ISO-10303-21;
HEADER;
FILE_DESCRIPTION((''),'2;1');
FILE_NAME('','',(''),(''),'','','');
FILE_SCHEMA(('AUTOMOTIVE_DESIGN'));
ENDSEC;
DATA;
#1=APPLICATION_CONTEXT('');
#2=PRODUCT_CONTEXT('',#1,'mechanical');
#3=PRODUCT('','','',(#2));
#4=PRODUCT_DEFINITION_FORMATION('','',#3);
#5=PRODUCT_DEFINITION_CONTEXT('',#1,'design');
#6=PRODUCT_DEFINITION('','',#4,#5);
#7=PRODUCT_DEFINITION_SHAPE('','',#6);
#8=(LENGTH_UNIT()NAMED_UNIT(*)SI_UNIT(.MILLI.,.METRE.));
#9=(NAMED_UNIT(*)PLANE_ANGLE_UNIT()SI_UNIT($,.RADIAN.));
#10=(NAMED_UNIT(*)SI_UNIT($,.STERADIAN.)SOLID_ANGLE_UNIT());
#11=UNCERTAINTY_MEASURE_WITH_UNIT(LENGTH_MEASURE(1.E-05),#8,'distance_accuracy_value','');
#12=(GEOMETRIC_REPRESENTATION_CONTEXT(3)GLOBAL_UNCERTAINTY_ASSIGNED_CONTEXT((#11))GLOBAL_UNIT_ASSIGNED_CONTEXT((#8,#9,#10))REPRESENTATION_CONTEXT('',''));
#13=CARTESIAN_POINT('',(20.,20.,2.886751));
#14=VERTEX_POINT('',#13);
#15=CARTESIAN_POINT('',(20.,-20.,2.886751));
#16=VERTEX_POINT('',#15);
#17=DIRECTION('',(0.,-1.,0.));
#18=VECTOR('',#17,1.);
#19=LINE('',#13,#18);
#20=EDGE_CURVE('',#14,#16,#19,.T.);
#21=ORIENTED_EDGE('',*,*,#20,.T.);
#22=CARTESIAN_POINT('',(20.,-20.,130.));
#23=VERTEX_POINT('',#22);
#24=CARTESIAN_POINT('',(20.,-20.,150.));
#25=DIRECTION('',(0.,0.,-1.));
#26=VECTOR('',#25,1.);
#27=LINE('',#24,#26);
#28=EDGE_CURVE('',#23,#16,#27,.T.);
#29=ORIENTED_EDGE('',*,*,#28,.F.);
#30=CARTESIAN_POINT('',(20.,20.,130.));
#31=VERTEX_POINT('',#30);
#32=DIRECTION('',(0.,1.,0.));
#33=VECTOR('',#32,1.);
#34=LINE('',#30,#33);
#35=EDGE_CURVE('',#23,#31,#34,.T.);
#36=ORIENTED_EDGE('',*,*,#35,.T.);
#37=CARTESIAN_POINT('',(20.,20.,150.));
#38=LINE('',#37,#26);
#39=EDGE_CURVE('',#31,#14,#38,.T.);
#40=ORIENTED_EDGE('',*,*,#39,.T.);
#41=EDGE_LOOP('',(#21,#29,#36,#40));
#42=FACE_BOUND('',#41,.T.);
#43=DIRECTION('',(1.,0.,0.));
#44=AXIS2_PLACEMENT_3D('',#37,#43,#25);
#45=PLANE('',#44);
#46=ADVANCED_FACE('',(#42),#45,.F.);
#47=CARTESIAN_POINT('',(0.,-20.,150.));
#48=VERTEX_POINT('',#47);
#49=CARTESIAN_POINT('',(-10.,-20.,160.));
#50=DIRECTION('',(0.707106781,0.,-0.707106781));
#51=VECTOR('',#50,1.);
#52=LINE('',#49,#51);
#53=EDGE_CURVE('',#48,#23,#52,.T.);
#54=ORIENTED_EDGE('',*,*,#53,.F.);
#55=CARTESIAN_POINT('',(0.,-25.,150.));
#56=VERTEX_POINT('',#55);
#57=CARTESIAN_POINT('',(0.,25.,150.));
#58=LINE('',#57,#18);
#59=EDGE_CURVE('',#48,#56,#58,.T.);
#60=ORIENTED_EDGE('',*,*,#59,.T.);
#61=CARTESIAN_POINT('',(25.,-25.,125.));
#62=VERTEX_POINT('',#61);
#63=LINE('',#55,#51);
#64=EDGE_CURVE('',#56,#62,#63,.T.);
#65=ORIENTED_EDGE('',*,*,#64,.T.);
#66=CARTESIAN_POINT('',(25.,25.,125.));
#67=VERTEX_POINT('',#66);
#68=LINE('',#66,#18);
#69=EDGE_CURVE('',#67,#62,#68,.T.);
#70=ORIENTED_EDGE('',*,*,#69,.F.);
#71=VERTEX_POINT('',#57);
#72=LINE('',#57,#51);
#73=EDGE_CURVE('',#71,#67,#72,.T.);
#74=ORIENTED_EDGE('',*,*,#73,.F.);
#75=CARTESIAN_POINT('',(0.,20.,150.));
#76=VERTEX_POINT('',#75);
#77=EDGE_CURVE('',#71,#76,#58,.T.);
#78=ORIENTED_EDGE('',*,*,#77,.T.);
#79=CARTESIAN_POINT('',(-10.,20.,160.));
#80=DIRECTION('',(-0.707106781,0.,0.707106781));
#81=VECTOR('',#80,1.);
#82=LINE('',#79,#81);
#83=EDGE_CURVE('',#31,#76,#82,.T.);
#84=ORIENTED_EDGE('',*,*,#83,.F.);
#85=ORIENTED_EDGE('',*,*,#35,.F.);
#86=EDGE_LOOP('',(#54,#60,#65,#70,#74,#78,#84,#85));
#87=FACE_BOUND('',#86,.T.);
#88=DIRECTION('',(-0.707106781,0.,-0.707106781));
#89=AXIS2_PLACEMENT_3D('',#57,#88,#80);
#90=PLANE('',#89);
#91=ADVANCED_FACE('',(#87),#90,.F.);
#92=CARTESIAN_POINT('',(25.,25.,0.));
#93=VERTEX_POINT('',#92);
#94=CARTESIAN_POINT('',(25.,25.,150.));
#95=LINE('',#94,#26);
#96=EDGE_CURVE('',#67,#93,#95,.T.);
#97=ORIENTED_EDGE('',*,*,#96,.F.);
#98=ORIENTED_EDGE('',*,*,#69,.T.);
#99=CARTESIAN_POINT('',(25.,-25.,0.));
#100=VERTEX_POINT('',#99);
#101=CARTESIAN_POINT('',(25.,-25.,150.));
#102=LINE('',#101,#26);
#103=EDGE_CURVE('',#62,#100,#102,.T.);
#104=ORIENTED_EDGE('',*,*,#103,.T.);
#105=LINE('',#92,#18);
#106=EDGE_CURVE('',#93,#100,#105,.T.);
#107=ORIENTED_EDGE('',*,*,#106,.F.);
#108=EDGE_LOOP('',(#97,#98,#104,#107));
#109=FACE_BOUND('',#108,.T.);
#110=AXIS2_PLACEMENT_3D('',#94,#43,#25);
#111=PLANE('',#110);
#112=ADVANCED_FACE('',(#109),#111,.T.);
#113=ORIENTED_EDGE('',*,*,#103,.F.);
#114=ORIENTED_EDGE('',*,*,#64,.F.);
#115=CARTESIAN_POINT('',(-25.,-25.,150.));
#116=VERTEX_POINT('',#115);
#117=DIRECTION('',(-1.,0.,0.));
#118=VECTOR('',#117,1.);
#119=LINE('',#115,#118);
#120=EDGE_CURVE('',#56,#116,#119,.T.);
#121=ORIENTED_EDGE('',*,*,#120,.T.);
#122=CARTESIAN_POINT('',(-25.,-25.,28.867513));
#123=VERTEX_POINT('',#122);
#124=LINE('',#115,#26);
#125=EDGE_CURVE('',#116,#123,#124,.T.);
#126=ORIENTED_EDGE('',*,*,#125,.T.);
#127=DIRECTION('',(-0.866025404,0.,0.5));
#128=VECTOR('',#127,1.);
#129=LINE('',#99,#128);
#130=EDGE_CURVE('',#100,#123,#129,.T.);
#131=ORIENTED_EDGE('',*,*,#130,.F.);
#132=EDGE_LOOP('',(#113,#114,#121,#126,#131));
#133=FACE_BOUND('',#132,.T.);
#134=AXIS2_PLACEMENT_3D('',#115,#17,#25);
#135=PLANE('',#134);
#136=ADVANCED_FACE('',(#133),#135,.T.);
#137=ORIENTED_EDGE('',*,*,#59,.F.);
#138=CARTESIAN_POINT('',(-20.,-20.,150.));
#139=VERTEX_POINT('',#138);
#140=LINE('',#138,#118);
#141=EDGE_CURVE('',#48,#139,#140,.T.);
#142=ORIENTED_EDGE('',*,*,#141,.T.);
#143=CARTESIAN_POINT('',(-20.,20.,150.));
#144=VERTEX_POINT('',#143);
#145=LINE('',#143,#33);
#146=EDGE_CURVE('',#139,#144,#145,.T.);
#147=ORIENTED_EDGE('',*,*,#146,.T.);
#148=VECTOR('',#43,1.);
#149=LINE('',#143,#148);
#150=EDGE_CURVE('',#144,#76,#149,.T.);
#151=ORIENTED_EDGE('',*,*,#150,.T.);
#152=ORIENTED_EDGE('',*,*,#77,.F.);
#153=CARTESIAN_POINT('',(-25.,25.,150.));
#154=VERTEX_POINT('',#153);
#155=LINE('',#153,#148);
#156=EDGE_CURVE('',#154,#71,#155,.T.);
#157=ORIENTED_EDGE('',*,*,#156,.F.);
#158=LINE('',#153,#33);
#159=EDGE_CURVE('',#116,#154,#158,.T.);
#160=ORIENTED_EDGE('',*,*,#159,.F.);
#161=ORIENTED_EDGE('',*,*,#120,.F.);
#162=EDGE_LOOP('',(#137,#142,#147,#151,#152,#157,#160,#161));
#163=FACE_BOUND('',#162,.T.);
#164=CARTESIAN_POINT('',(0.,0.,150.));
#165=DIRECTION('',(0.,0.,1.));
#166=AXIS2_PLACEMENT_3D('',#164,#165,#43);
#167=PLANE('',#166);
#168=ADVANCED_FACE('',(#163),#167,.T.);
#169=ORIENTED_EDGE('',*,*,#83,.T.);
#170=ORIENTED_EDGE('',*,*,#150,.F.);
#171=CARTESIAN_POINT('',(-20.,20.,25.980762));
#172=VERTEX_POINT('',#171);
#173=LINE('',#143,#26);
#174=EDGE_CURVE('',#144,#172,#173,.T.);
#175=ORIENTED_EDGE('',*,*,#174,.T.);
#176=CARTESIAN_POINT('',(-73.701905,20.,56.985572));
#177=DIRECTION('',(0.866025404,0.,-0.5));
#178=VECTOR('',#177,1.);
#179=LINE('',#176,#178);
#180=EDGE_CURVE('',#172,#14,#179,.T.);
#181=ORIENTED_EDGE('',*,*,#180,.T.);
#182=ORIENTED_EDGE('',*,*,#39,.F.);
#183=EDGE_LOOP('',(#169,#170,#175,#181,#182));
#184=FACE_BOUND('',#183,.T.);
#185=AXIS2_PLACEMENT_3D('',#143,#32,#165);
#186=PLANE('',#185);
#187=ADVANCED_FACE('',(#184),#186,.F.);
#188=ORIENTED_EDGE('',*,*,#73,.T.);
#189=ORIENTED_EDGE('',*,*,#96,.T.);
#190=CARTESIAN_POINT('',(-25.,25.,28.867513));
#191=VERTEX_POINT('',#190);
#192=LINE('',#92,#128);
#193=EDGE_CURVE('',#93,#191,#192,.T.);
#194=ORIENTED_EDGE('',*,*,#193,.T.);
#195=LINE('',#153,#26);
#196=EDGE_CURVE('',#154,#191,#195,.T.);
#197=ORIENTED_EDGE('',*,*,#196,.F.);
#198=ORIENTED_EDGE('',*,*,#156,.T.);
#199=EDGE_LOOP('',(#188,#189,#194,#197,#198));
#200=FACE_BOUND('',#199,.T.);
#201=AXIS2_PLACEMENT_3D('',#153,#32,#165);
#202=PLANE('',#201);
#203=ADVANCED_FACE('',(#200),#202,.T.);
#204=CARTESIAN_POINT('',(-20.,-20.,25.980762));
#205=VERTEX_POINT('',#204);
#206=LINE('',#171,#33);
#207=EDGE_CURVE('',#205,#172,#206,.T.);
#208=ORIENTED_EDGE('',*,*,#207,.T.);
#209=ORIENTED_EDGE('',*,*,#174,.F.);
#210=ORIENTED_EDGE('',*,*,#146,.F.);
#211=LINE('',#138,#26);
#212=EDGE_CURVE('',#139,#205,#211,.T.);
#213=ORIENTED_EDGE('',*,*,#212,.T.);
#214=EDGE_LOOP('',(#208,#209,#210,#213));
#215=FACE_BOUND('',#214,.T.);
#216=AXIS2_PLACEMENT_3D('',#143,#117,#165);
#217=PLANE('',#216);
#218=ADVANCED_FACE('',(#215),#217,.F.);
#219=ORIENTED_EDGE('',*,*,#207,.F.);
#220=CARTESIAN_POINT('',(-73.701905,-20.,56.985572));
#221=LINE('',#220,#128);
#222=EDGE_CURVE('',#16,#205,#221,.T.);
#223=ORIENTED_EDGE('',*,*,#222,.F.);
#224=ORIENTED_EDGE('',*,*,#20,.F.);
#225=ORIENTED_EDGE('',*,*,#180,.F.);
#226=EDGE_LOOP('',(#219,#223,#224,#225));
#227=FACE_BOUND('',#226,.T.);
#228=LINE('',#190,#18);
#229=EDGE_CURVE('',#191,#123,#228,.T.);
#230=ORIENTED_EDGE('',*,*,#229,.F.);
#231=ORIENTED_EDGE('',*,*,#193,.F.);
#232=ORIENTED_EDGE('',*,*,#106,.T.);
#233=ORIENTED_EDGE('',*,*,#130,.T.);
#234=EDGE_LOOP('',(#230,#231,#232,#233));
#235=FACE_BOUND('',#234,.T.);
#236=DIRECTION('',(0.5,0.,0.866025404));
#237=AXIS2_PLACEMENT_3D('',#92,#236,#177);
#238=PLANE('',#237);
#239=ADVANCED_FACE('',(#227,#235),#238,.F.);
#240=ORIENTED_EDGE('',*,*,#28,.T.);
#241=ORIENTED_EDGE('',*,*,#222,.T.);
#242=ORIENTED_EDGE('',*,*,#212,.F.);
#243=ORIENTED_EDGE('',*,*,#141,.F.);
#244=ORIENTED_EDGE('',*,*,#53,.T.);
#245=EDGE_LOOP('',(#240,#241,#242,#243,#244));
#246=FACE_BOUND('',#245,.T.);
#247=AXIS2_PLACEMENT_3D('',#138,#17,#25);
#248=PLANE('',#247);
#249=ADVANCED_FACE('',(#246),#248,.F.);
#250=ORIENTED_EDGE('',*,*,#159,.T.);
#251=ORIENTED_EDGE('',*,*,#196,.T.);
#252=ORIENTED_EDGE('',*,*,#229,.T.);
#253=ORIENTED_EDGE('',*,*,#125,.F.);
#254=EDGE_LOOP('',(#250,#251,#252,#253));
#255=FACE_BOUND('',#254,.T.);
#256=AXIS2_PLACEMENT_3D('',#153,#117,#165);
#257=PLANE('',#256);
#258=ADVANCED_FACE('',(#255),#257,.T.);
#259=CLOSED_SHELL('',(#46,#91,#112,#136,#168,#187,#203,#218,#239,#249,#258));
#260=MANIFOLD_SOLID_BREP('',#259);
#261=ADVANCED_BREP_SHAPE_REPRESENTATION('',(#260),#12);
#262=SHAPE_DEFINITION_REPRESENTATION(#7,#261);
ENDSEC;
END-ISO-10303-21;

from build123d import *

# Parameters (mm, degrees)
SKETCH2_W           = 50
SKETCH2_H           = 50
SKETCH2_W_2         = 40
SKETCH2_H_2         = 40
BOSS_EXTRUDE1_DEPTH = 150
CUT_EXTRUDE1_DEPTH  = 161.078105936
CUT_EXTRUDE2_DEPTH  = 161.078105936


with BuildPart() as part:
    # Sketch2 → Boss-Extrude1 (new body)
    with BuildSketch(Plane(origin=(0, 0, 0), x_dir=(1, 0, 0), z_dir=(0, 0, -1))):
        Rectangle(SKETCH2_W, SKETCH2_H)
        Rectangle(SKETCH2_W_2, SKETCH2_H_2, mode=Mode.SUBTRACT)
    extrude(amount=-BOSS_EXTRUDE1_DEPTH)

    # Sketch3 → Cut-Extrude1 (cut, through all)
    with BuildSketch(Plane.XZ.offset(25)):
        Polygon((0, 150), (25, 125), (25, 150), align=None)
    extrude(amount=-CUT_EXTRUDE1_DEPTH, mode=Mode.SUBTRACT)

    # Sketch4 → Cut-Extrude2 (cut, through all)
    with BuildSketch(Plane.XZ.offset(25)):
        Polygon((25, 0), (-25, 28.867513459), (-25, 0), align=None)
    extrude(amount=-CUT_EXTRUDE2_DEPTH, mode=Mode.SUBTRACT)


solid = part.part
